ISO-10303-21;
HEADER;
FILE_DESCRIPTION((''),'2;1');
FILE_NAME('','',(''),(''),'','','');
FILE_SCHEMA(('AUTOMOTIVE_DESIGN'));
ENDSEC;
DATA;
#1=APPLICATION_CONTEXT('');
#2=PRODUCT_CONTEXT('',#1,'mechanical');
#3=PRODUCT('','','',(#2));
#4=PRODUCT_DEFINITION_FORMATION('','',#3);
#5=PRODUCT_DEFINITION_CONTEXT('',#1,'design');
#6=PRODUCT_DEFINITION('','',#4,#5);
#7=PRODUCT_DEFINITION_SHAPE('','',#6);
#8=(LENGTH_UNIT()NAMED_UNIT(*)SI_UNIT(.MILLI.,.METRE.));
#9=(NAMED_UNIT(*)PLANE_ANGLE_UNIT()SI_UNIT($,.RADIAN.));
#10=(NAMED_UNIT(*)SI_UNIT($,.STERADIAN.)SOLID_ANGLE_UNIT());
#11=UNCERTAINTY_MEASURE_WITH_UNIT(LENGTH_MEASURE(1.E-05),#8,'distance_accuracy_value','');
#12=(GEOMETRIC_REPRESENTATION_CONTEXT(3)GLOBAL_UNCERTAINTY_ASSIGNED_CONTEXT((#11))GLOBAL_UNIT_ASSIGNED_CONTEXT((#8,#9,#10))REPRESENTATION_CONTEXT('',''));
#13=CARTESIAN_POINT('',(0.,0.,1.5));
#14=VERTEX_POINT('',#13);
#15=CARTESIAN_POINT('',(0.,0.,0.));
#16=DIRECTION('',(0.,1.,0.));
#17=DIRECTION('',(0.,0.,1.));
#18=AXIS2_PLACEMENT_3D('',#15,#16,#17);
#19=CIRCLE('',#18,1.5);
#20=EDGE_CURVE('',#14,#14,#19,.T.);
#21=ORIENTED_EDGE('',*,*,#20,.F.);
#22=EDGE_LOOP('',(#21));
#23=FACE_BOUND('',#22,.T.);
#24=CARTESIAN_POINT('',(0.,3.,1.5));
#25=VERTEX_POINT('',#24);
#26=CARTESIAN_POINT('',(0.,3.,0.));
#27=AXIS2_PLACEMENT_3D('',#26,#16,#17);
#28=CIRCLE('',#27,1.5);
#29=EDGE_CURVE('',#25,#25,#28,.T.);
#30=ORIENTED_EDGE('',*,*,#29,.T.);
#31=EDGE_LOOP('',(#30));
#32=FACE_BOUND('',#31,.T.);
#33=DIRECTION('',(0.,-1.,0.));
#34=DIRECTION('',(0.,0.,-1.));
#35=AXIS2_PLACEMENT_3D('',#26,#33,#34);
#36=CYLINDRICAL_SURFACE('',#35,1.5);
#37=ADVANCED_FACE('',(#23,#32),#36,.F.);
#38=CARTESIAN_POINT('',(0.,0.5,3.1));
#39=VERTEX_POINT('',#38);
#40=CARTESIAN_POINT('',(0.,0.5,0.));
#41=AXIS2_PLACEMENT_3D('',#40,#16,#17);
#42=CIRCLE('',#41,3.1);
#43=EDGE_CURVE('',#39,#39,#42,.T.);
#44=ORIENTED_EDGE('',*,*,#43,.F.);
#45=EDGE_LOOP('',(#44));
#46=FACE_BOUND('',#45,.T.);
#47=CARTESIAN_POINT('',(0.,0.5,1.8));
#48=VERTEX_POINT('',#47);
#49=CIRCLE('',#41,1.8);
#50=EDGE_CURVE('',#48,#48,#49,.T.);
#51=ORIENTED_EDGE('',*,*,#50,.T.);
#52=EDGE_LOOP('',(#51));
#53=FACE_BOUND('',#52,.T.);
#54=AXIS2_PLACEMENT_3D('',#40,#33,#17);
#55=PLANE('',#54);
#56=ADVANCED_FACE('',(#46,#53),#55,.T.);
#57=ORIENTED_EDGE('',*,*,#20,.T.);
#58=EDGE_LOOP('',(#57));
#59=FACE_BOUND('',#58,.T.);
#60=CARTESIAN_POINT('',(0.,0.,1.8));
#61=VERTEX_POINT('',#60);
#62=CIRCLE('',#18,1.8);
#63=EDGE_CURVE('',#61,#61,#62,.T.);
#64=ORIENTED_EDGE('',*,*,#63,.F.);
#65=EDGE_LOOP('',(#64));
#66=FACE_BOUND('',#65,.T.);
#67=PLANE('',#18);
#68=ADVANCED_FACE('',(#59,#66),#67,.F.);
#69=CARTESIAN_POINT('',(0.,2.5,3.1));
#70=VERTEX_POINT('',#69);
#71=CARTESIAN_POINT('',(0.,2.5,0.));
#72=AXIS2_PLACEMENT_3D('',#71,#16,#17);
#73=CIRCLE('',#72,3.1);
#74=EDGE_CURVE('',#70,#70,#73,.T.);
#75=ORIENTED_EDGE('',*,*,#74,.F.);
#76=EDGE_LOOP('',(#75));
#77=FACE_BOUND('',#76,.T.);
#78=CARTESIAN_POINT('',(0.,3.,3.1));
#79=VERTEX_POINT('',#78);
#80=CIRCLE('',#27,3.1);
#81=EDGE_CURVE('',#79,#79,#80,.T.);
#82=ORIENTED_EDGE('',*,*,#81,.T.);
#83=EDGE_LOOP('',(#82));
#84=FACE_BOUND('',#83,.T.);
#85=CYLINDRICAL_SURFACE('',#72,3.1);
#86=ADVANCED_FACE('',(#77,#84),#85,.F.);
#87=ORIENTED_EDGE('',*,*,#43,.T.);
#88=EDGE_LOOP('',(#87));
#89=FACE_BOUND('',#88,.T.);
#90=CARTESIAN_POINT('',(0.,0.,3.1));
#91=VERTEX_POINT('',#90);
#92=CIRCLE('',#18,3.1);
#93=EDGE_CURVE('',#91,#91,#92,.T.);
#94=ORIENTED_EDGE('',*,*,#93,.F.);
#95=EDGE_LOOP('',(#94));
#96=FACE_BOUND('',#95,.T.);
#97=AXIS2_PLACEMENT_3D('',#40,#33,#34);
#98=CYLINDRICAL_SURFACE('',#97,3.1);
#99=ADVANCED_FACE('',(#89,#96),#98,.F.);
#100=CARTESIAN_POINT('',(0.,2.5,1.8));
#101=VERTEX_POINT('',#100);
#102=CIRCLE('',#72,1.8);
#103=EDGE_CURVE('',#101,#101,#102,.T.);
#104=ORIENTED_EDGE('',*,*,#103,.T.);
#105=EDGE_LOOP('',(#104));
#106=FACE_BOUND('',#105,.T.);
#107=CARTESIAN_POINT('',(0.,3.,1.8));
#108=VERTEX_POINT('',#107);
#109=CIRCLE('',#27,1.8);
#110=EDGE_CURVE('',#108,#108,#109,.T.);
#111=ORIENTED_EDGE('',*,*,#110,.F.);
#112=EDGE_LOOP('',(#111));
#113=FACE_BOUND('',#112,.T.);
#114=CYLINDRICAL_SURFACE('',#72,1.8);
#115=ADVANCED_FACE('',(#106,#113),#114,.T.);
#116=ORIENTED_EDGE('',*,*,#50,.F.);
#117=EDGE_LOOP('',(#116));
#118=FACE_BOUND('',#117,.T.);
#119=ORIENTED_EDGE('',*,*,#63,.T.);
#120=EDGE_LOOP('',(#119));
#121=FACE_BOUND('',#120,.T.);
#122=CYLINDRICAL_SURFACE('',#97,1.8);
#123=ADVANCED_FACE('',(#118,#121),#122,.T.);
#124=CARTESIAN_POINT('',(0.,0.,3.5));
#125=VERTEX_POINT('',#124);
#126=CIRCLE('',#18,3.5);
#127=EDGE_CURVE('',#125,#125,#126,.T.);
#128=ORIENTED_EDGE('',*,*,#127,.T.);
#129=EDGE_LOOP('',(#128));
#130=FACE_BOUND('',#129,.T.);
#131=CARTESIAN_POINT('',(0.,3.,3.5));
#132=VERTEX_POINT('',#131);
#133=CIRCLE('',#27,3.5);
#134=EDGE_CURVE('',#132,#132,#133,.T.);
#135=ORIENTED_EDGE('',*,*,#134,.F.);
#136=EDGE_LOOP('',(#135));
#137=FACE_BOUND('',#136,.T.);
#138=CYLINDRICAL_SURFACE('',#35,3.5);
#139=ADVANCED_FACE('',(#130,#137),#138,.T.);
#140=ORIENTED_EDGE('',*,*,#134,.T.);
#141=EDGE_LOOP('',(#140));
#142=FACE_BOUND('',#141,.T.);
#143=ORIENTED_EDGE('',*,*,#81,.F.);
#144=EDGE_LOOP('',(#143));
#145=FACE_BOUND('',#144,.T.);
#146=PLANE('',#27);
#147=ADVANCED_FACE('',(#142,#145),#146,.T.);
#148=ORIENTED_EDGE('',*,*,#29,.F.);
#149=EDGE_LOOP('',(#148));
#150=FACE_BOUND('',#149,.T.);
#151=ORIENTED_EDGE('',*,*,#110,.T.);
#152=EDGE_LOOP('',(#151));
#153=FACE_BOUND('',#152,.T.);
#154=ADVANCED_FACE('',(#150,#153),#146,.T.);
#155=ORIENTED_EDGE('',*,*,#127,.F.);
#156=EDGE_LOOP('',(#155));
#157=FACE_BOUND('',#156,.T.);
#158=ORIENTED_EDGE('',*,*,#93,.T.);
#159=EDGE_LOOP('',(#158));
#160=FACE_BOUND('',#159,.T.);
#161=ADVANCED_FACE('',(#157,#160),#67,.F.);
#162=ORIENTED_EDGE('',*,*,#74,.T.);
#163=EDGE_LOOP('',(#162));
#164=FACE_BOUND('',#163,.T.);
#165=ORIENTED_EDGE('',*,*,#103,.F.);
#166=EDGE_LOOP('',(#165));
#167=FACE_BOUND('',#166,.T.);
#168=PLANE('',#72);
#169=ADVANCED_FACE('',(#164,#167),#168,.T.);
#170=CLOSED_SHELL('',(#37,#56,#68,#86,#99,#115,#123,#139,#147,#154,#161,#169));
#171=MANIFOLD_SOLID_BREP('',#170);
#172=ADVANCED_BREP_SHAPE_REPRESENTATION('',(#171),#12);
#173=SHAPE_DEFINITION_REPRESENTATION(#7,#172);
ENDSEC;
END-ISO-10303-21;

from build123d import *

# Parameters (mm, degrees)
SKETCH_1_R          = 3.5
SKETCH_1_R_2        = 1.5
EXTRUDE_1_DEPTH     = 3
SKETCH_2_R          = 3.1
SKETCH_2_R_2        = 1.8
CUT_EXTRUDE_1_DEPTH = 0.5


with BuildPart() as part:
    # 草图1 → 凸台-拉伸1 (new body)
    with BuildSketch(Plane(origin=(0, 0, 0), x_dir=(1, 0, 0), z_dir=(0, 1, 0))):
        with Locations(Location((0, 0, 0), (0, 0, 270))):
            Circle(SKETCH_1_R)
        with Locations(Location((0, 0, 0), (0, 0, 270))):
            Circle(SKETCH_1_R_2, mode=Mode.SUBTRACT)
    extrude(amount=EXTRUDE_1_DEPTH)

    # 草图2 → 切除-拉伸1 (cut)
    with BuildSketch(Plane(origin=(0, 3, 0), x_dir=(1, 0, 0), z_dir=(0, 1, 0))):
        with Locations(Location((0, 0, 0), (0, 0, 270))):
            Circle(SKETCH_2_R)
        with Locations(Location((0, 0, 0), (0, 0, 270))):
            Circle(SKETCH_2_R_2, mode=Mode.SUBTRACT)
    cut_extrude_1 = extrude(amount=-CUT_EXTRUDE_1_DEPTH, mode=Mode.SUBTRACT)

    # 镜向1: 切除-拉伸1 across plane
    add(cut_extrude_1.mirror(Plane.ZX.offset(1.5)), mode=Mode.SUBTRACT)


solid = part.part
